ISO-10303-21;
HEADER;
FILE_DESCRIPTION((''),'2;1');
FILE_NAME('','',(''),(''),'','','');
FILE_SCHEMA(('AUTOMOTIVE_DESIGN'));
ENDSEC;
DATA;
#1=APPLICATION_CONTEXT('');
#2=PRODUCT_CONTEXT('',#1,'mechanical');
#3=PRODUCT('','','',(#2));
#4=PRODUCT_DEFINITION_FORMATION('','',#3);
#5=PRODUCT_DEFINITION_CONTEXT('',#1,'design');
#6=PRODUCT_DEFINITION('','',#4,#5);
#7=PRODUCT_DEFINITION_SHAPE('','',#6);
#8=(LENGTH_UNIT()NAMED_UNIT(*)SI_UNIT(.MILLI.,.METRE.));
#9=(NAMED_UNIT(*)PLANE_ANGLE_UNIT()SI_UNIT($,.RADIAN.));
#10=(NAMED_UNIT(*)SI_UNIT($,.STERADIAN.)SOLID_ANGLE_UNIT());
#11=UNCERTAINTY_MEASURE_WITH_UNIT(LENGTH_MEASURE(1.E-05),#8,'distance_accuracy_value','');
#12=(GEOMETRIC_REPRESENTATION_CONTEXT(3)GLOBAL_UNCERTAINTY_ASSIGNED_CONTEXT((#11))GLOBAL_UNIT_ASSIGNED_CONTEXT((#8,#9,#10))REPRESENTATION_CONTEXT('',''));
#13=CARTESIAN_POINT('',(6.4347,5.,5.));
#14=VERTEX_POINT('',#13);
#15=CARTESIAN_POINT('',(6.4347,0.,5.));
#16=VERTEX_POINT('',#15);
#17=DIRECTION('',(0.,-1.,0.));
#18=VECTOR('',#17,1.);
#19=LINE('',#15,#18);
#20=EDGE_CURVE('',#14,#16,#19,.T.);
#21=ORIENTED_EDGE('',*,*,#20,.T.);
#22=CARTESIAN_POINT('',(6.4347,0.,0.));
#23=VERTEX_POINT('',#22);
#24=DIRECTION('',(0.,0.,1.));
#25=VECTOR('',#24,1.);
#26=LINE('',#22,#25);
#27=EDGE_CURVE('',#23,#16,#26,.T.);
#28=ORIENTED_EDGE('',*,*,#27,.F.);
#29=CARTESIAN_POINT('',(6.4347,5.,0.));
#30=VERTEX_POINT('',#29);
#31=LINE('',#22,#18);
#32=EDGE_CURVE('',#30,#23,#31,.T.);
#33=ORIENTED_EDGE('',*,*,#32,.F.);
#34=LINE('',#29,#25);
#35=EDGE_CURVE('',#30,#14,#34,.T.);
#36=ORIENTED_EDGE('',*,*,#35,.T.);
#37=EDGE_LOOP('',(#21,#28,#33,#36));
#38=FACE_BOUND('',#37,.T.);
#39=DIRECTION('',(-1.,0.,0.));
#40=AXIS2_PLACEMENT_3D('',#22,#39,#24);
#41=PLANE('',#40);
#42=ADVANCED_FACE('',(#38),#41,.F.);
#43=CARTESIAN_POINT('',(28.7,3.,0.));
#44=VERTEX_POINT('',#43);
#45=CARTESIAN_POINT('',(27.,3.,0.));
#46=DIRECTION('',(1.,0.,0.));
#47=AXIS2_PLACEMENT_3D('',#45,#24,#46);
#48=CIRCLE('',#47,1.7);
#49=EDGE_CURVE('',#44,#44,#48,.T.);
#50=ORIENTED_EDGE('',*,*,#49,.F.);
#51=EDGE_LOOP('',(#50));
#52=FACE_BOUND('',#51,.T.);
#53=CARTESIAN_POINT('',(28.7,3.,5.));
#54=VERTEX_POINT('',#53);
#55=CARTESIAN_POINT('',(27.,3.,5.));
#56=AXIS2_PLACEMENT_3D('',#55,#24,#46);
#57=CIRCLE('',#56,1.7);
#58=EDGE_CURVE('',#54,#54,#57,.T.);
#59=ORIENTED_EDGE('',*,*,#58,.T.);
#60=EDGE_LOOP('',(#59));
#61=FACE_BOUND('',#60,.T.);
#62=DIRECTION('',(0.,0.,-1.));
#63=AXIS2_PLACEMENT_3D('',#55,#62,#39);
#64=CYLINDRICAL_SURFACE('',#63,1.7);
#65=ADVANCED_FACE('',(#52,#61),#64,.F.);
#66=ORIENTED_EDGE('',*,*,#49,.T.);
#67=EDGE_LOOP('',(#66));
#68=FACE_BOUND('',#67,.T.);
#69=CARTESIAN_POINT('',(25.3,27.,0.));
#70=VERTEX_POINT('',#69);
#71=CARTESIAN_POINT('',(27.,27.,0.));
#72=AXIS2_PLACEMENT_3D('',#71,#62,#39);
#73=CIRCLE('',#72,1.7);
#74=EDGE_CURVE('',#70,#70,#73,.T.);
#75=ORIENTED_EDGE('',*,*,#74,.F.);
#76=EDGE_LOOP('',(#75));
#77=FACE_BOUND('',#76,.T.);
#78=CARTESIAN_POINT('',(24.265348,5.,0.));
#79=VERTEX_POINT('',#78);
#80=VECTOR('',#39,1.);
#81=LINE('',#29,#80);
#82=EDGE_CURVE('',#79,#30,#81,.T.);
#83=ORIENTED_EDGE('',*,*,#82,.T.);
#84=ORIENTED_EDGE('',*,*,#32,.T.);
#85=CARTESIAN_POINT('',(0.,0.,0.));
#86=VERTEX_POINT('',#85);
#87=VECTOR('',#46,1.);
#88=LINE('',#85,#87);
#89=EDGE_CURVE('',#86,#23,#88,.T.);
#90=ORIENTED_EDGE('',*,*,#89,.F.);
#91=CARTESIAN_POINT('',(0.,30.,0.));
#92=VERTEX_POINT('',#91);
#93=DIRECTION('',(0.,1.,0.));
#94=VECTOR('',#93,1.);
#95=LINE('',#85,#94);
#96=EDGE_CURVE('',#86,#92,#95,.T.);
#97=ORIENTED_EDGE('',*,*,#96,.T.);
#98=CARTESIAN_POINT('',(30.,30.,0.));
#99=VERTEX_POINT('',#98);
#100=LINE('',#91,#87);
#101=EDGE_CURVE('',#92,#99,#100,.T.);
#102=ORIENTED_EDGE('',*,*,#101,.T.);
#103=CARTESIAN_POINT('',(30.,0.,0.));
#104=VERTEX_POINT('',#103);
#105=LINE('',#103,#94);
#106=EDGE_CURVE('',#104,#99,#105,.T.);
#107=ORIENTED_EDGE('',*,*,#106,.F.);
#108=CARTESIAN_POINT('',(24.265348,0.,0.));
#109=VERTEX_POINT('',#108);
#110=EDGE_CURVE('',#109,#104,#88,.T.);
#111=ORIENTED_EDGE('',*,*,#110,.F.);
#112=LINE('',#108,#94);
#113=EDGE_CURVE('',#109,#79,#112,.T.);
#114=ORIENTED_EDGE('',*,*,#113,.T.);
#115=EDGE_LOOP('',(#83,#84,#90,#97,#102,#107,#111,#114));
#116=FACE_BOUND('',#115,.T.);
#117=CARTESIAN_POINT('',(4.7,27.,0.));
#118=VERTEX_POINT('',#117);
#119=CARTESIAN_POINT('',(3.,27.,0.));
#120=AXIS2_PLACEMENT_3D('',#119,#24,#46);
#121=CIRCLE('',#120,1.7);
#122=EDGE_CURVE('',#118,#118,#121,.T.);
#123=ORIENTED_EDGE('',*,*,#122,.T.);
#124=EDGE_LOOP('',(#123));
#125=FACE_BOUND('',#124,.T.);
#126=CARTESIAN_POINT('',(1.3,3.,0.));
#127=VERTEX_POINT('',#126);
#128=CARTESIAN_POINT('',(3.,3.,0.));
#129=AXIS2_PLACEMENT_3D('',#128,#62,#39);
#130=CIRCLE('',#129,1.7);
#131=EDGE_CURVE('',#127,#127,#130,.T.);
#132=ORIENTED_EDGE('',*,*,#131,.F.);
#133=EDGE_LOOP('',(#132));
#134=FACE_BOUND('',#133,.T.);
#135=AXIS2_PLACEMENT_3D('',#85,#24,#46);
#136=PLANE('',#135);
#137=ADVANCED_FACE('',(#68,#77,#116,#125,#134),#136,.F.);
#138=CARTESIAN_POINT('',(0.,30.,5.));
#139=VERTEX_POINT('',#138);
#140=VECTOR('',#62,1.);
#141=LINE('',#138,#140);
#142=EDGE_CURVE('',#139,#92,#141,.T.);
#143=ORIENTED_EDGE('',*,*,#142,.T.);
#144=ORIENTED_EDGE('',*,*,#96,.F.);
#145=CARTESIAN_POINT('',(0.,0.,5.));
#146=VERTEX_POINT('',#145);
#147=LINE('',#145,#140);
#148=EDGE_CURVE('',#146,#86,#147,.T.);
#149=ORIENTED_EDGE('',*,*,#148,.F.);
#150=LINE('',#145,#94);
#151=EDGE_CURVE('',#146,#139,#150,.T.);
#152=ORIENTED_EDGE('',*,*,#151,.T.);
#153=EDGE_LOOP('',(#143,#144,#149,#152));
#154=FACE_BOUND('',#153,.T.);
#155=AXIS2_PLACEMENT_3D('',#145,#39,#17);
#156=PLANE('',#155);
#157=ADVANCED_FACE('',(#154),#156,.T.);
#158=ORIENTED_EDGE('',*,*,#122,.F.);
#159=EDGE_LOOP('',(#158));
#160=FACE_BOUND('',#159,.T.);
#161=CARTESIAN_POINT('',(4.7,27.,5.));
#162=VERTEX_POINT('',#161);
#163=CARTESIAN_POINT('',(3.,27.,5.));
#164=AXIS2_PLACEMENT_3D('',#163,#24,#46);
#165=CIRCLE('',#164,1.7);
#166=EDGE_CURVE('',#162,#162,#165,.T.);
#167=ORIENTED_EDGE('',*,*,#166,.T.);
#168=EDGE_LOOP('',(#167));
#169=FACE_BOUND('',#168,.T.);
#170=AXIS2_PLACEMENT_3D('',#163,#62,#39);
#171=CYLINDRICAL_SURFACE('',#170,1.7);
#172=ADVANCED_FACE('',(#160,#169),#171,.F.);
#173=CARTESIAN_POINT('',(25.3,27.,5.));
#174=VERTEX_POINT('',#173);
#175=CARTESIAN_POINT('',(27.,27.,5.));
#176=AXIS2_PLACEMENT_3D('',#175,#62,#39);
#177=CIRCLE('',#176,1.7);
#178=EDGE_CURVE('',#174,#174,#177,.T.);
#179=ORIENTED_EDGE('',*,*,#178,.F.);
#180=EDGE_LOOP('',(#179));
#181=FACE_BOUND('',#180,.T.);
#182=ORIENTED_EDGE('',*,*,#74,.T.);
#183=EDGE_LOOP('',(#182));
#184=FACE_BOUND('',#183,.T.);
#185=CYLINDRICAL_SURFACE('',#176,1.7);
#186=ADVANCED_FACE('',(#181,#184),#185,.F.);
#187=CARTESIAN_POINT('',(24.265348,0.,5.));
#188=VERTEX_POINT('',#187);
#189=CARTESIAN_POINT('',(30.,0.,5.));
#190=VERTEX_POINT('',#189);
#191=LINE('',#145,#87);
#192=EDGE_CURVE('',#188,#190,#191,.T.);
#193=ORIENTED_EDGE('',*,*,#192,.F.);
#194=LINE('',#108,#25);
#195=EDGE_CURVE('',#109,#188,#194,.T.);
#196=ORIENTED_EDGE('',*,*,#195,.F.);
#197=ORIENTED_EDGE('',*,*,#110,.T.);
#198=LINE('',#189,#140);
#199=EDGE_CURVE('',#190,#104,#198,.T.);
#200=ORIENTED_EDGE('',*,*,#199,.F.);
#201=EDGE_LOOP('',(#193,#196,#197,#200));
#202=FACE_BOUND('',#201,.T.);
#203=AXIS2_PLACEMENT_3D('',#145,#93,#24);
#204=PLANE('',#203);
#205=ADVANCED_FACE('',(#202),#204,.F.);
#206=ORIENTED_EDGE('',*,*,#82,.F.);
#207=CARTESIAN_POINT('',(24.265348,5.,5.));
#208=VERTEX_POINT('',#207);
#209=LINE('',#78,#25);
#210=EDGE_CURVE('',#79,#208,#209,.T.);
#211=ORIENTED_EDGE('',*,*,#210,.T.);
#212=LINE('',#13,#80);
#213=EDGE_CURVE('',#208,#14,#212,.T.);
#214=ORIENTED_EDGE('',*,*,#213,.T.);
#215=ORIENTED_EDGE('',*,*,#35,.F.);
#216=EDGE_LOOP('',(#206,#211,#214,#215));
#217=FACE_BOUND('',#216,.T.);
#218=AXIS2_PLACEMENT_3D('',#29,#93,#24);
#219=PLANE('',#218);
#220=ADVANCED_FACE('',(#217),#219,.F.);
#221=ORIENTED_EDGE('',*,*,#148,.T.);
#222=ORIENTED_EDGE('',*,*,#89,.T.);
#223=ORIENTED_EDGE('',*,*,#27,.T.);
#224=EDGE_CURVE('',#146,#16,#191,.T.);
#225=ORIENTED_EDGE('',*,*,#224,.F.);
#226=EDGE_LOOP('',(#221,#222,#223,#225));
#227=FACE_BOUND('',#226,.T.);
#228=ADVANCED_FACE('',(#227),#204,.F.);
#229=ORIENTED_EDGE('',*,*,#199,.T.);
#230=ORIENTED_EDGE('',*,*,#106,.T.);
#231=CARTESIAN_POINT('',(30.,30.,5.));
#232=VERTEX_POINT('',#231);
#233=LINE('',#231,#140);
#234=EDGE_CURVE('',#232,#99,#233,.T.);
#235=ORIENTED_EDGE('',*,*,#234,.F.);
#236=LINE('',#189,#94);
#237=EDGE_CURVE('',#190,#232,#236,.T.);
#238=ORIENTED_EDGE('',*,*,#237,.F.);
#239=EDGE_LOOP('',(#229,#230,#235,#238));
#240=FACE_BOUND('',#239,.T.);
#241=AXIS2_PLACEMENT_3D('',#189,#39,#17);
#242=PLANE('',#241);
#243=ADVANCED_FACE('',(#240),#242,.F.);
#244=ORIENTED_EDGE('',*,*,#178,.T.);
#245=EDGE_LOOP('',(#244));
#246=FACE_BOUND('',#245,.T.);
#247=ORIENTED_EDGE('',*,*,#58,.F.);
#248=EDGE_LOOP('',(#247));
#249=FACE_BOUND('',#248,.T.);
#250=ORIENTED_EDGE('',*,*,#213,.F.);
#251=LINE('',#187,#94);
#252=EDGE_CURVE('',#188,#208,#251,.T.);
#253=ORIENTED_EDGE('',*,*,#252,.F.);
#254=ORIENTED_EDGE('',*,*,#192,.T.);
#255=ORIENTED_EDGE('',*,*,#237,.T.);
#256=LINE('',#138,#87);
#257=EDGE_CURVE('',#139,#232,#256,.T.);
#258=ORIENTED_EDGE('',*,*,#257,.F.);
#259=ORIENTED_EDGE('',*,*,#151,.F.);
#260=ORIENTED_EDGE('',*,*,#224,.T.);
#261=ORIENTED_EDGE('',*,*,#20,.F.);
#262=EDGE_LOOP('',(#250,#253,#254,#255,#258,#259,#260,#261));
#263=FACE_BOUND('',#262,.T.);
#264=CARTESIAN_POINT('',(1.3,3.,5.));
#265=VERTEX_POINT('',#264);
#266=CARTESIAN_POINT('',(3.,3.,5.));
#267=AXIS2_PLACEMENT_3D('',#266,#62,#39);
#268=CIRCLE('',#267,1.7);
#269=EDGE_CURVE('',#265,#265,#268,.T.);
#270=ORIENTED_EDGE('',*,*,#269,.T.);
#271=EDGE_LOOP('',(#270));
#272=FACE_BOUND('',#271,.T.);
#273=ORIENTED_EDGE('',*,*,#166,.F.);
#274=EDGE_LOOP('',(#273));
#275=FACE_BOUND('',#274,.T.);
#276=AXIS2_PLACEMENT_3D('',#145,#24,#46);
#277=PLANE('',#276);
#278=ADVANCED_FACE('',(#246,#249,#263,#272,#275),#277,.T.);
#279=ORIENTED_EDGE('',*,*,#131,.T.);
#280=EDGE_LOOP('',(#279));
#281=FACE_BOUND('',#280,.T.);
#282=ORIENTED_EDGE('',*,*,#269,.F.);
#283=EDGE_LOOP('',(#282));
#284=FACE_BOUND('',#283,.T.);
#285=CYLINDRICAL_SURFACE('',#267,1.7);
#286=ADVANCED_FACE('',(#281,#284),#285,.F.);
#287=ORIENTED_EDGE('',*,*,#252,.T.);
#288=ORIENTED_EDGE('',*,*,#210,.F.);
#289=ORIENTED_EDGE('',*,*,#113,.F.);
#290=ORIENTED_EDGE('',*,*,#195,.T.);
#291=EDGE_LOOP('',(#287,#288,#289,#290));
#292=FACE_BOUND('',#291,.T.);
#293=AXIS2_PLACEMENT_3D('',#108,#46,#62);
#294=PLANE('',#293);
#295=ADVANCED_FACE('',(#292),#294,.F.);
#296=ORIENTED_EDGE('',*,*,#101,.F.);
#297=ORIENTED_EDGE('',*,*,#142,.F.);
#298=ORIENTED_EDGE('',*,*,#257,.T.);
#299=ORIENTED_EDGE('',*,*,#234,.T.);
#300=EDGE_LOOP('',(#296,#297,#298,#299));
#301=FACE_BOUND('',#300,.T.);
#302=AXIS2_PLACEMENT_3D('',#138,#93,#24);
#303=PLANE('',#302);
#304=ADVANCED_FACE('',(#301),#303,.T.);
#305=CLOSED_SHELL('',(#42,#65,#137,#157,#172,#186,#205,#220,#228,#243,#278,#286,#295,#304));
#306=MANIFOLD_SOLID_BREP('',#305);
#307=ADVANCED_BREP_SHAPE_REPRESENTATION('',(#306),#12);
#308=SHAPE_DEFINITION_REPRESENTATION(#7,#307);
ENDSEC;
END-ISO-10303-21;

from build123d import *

# Parameters (mm, degrees)
SKETCH1_W           = 30
SKETCH1_H           = 30
SKETCH1_R           = 1.7
BOSS_EXTRUDE1_DEPTH = 5
SKETCH3_W           = 17.830647844
SKETCH3_H           = 5
CUT_EXTRUDE1_DEPTH  = 5


with BuildPart() as part:
    # Sketch1 → Boss-Extrude1 (new body)
    with BuildSketch(Plane.XY):
        with Locations((15, 15)):
            Rectangle(SKETCH1_W, SKETCH1_H)
        with Locations((3, 27)):
            Circle(SKETCH1_R, mode=Mode.SUBTRACT)
        with Locations((27, 27)):
            Circle(SKETCH1_R, mode=Mode.SUBTRACT)
        with Locations((27, 3)):
            Circle(SKETCH1_R, mode=Mode.SUBTRACT)
        with Locations((3, 3)):
            Circle(SKETCH1_R, mode=Mode.SUBTRACT)
    extrude(amount=BOSS_EXTRUDE1_DEPTH)

    # Sketch3 → Cut-Extrude1 (cut)
    with BuildSketch(Plane.XY.offset(5)):
        with Locations((15.350024265, 2.5)):
            Rectangle(SKETCH3_W, SKETCH3_H)
    extrude(amount=-CUT_EXTRUDE1_DEPTH, mode=Mode.SUBTRACT)


solid = part.part
